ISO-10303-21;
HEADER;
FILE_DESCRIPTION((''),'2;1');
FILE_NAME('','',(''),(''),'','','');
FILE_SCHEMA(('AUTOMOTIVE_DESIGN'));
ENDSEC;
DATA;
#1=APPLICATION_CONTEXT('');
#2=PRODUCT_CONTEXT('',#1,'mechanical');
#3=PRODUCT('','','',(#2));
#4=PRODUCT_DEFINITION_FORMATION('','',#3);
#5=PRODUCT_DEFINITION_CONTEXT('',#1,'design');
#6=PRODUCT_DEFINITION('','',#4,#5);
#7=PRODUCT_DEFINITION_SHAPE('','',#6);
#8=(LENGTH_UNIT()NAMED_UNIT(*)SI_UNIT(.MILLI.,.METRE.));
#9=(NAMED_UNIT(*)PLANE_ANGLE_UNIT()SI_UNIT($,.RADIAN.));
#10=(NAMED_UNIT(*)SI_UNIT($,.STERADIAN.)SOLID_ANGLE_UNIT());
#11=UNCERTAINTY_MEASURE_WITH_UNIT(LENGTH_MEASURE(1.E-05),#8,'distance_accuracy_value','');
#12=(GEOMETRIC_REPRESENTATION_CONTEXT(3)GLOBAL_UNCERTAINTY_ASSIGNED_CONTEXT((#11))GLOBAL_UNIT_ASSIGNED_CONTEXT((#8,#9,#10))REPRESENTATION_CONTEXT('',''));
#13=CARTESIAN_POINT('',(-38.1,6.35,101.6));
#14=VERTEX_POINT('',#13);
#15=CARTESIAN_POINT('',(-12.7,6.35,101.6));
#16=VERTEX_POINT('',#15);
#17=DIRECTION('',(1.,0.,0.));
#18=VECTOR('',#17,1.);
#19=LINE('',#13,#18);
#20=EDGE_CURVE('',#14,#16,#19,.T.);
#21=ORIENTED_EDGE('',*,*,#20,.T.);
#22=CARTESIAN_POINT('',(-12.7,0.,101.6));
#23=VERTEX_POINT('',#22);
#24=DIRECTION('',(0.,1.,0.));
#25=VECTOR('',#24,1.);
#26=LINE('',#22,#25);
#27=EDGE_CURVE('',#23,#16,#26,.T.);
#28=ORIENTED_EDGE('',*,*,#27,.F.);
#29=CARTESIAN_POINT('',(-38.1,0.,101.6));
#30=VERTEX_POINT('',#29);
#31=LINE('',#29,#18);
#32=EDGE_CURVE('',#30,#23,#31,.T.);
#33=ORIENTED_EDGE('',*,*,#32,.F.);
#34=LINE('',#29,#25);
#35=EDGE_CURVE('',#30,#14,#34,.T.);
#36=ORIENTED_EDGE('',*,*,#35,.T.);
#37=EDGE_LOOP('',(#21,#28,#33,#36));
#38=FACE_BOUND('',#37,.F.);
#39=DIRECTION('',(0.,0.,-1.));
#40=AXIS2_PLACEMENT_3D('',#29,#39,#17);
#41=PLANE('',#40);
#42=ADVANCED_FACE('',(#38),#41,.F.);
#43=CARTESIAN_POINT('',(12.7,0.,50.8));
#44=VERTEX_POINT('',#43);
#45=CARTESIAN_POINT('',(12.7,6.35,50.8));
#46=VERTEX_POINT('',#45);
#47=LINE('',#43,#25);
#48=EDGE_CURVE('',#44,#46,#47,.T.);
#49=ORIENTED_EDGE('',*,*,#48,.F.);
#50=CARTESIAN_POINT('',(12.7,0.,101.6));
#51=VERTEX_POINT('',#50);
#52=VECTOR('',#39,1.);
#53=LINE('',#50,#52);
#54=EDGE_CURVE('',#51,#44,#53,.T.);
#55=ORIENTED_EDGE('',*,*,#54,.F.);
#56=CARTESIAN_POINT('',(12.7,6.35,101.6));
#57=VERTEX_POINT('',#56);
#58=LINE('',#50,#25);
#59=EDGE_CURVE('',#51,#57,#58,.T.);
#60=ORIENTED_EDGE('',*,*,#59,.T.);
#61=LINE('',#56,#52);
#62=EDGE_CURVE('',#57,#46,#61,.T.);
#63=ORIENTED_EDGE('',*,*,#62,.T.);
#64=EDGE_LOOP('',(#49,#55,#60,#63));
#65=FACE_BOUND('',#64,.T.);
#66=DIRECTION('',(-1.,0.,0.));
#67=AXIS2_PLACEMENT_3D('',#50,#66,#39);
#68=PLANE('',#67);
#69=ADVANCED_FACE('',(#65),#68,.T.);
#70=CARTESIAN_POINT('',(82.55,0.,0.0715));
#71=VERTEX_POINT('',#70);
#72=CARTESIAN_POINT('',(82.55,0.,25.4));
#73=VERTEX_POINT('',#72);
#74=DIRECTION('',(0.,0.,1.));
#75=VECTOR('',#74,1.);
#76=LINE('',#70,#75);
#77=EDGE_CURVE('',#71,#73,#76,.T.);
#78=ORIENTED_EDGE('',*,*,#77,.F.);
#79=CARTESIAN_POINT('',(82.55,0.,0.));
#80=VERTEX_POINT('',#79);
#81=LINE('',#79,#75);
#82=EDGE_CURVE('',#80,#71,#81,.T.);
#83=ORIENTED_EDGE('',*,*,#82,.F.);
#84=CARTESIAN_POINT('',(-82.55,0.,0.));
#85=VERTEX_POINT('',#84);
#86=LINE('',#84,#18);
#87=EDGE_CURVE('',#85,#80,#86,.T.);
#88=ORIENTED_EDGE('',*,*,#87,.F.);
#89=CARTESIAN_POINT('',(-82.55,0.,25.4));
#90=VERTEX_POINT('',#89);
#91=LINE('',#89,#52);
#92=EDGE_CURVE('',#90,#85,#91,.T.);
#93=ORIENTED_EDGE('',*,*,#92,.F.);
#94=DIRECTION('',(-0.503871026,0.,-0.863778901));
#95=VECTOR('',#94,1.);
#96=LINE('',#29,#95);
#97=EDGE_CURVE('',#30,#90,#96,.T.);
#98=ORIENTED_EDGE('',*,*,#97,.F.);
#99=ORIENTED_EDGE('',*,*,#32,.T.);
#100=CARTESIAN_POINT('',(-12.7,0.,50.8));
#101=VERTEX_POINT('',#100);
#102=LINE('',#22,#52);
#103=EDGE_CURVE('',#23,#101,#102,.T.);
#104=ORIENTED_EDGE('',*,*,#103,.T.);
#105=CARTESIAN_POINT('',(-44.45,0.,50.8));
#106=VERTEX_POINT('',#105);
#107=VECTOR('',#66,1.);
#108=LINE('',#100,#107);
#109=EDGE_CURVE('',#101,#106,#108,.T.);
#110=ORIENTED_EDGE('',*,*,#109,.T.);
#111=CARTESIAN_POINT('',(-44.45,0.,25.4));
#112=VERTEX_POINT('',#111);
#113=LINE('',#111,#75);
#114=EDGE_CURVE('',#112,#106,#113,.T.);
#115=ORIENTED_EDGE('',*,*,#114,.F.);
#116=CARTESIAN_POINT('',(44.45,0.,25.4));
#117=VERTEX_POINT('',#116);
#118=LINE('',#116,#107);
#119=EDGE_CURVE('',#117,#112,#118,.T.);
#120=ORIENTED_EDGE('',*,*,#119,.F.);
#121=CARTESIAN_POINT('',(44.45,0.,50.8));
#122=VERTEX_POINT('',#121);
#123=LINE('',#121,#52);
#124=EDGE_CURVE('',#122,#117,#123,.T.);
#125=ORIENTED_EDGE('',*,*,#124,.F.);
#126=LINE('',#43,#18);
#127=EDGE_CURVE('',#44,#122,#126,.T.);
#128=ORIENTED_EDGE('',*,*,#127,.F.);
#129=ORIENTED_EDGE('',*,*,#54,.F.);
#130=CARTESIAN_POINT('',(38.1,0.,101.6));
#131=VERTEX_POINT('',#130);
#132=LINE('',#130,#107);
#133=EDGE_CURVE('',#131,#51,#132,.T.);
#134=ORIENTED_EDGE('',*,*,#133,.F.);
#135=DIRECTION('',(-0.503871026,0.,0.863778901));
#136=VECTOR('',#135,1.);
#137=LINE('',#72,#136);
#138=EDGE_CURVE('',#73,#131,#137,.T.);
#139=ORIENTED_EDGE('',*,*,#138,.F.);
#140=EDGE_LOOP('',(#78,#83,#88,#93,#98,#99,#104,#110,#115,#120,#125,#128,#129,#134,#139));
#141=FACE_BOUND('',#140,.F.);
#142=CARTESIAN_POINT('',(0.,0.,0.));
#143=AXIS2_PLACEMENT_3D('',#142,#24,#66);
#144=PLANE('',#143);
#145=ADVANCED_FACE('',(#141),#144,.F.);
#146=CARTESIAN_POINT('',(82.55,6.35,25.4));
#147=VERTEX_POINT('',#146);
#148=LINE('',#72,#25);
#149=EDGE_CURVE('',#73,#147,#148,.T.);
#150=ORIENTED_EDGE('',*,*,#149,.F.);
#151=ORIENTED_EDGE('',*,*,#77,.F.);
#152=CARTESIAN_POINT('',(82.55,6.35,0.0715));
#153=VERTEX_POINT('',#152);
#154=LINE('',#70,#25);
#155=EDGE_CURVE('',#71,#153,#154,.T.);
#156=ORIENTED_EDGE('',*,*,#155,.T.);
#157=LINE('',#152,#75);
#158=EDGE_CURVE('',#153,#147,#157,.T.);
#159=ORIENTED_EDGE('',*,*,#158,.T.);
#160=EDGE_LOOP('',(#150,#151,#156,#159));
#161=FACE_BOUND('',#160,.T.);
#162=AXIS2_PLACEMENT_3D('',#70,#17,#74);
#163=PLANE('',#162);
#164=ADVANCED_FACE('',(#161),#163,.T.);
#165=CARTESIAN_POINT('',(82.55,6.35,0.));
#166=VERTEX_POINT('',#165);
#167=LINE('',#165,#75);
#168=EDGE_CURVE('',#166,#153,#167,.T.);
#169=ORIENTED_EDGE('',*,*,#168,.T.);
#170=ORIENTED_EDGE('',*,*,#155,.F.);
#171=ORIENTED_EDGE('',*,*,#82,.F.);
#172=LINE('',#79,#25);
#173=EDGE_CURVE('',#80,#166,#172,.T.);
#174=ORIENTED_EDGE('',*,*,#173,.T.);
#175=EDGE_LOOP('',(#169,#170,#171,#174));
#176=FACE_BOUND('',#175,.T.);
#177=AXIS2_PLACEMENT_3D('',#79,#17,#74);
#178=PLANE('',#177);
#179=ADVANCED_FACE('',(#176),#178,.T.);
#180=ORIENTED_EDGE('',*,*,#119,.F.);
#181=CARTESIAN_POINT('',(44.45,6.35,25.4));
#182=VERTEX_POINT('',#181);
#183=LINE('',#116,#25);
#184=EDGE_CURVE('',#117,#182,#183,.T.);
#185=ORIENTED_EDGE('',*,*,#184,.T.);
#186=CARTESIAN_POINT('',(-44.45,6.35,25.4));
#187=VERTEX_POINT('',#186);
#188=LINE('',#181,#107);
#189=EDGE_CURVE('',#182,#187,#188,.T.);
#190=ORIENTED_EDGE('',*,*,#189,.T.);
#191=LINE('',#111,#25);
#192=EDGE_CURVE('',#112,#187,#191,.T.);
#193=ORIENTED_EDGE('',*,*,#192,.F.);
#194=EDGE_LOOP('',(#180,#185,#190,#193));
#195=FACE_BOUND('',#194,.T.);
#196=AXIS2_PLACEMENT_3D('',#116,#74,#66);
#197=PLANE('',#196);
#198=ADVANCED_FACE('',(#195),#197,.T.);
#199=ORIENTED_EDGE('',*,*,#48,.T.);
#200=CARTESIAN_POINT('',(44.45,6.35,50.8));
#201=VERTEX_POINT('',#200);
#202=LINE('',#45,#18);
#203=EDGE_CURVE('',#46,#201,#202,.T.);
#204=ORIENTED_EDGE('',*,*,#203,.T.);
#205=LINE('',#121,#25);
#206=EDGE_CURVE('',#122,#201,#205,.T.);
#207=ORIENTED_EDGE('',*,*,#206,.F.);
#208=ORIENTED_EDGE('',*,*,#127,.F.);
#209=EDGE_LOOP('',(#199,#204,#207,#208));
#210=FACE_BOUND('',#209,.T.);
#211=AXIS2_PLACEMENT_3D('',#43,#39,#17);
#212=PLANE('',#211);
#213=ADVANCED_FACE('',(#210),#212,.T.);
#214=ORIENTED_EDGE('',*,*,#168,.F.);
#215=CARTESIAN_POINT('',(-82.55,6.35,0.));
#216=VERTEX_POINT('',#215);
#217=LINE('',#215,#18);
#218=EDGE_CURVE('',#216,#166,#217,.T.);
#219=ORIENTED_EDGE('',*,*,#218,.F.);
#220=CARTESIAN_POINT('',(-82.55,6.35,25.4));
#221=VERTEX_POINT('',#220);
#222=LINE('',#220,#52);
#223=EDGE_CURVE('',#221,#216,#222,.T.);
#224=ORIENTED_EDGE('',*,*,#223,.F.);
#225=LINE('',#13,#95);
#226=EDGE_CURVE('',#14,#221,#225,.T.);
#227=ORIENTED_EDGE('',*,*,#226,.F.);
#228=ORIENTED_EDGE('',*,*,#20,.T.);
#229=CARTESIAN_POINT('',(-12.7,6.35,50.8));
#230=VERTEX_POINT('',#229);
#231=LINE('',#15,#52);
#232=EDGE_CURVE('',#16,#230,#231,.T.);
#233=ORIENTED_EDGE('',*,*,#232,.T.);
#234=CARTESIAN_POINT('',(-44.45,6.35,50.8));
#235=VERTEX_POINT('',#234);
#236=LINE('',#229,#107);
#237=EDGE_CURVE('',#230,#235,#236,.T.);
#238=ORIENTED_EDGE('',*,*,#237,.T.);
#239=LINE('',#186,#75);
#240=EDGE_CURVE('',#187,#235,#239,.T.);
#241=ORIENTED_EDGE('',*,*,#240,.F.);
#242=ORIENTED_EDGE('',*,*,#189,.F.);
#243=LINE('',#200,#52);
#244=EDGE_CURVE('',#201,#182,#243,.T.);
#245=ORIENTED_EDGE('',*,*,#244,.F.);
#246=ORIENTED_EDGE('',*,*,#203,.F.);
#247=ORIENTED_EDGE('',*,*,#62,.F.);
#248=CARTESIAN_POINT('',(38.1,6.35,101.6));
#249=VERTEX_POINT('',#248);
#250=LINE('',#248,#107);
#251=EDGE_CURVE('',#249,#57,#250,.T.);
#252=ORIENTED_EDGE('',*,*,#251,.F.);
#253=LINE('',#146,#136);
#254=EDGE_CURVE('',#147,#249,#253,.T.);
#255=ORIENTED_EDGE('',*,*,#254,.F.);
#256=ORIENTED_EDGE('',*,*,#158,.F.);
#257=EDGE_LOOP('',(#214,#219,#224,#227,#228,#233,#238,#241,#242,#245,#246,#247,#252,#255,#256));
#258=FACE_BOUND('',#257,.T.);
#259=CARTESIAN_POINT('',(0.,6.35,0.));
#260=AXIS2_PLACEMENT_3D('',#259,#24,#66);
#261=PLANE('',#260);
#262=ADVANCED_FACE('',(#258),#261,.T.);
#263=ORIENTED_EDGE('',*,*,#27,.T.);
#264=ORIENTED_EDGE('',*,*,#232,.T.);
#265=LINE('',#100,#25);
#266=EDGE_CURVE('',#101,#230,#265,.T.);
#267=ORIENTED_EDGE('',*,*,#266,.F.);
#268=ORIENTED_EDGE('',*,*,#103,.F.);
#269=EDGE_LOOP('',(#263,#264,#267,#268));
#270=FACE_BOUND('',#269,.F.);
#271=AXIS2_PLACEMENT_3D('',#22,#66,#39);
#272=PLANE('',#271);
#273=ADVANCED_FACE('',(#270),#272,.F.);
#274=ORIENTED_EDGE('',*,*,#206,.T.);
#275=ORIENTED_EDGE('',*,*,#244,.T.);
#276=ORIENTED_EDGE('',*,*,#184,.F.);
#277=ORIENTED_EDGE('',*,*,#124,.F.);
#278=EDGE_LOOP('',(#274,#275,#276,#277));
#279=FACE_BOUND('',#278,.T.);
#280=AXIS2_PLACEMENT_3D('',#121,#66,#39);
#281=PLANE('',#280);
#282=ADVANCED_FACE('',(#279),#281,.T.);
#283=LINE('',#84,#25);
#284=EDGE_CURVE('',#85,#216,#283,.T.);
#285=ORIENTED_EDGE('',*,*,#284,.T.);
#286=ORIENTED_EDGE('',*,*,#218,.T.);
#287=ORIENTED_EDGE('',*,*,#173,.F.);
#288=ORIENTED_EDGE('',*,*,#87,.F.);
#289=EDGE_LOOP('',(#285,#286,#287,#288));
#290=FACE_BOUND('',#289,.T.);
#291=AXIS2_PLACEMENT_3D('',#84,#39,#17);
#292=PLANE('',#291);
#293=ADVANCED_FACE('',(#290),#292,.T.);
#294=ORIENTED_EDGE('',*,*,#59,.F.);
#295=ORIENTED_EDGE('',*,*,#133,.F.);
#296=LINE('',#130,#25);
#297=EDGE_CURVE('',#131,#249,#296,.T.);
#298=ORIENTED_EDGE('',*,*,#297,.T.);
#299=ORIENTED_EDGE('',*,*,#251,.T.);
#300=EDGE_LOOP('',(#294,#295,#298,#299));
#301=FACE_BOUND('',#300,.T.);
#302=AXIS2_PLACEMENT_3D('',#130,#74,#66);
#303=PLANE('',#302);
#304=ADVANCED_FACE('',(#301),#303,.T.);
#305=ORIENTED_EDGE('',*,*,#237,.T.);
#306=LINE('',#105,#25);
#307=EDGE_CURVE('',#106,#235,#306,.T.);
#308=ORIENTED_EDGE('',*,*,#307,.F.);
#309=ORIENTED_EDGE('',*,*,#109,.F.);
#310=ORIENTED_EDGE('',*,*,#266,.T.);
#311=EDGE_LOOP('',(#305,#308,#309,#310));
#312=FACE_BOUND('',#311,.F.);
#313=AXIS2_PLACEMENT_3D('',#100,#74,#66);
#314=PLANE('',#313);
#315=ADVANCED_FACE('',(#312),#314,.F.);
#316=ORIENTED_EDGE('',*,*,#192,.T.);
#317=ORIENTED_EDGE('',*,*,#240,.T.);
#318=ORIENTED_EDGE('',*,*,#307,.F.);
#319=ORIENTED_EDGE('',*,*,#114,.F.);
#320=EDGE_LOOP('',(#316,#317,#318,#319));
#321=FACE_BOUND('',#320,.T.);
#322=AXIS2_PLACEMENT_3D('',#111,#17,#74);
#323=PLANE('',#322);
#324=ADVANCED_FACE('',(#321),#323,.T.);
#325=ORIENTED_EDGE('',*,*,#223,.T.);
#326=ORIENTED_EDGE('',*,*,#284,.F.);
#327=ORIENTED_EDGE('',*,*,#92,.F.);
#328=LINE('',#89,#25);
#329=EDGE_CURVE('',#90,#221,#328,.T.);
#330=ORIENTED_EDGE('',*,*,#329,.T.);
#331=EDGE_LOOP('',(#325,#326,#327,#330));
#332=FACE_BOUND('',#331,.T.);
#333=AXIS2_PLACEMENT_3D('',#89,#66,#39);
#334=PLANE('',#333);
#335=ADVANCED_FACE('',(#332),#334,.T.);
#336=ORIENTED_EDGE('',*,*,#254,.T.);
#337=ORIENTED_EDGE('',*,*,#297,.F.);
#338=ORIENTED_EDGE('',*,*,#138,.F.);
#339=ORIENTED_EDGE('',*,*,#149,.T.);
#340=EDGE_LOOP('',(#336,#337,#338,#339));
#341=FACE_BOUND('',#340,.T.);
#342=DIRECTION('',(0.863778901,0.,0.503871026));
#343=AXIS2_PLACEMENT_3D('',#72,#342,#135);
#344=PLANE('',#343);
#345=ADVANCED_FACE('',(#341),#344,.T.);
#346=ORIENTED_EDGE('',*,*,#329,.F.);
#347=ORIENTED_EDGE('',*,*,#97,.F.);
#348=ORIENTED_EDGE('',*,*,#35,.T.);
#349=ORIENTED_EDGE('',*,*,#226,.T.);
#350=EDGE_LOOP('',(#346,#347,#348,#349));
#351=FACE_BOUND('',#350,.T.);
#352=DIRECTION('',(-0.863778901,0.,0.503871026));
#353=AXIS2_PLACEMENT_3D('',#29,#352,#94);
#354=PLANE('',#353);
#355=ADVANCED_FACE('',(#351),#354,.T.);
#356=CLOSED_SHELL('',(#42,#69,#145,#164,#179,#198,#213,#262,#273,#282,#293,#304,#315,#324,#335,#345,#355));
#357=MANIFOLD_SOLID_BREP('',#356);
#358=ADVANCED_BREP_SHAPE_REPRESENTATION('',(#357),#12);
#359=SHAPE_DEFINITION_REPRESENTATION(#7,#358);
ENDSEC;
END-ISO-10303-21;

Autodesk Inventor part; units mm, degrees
ref_plane "YZ Plane" through (0, 0, 0) normal (1, 0, 0) x (0, 1, 0)
ref_plane "XZ Plane" through (0, 0, 0) normal (0, 1, 0) x (-1, 0, 0)
ref_plane "XY Plane" through (0, 0, 0) normal (0, 0, 1) x (1, 0, 0)
sketch "Sketch1" plane through (0, 0, 0) normal (0, 1, 0) x (-1, 0, 0)
  line L0 (82.55, 0) -> (-82.55, 0)
  line L1 (-82.55, 0) -> (-82.55, 0.0715)
  line L2 (-82.55, 0.0715) -> (-82.55, 25.4)
  line L3 (-38.1, 101.6) -> (-12.7, 101.6)
  line L4 (-12.7, 101.6) -> (-12.7, 50.8)
  line L5 (-12.7, 50.8) -> (-44.45, 50.8)
  line L6 (-44.45, 50.8) -> (-44.45, 25.4)
  line L7 (-44.45, 25.4) -> (44.45, 25.4)
  line L8 (44.45, 25.4) -> (44.45, 50.8)
  line L9 (38.1, 101.6) -> (82.55, 25.4)
  line L10 (82.55, 25.4) -> (82.55, 0)
  line L11 (38.1, 101.6) -> (12.7, 101.6)
  line L12 (12.7, 101.6) -> (12.7, 50.8)
  line L13 (12.7, 50.8) -> (44.45, 50.8)
  line L14 (0, 0) -> (0, 111.0493) construction
  line L15 (-82.55, 25.4) -> (-38.1, 101.6)
  point P0 (82.55, 12.7)
  dimension "d0" = 165.1
  dimension "d3" = 38.1
  dimension "d4" = 25.4
  dimension "d5" = 25.4
  dimension "d6" = 101.6
  dimension "d7" = 44.45
  dimension "d8" = 69.85
  dimension "d9" = 120.65
  dimension "d10" = 25.4
  dimension "d11" = 88.9
  dimension "d12" = 25.4
extrude "Extrusion1" add sketch "Sketch1" along normal blind 6.35
properties part number "Latch Clip"
